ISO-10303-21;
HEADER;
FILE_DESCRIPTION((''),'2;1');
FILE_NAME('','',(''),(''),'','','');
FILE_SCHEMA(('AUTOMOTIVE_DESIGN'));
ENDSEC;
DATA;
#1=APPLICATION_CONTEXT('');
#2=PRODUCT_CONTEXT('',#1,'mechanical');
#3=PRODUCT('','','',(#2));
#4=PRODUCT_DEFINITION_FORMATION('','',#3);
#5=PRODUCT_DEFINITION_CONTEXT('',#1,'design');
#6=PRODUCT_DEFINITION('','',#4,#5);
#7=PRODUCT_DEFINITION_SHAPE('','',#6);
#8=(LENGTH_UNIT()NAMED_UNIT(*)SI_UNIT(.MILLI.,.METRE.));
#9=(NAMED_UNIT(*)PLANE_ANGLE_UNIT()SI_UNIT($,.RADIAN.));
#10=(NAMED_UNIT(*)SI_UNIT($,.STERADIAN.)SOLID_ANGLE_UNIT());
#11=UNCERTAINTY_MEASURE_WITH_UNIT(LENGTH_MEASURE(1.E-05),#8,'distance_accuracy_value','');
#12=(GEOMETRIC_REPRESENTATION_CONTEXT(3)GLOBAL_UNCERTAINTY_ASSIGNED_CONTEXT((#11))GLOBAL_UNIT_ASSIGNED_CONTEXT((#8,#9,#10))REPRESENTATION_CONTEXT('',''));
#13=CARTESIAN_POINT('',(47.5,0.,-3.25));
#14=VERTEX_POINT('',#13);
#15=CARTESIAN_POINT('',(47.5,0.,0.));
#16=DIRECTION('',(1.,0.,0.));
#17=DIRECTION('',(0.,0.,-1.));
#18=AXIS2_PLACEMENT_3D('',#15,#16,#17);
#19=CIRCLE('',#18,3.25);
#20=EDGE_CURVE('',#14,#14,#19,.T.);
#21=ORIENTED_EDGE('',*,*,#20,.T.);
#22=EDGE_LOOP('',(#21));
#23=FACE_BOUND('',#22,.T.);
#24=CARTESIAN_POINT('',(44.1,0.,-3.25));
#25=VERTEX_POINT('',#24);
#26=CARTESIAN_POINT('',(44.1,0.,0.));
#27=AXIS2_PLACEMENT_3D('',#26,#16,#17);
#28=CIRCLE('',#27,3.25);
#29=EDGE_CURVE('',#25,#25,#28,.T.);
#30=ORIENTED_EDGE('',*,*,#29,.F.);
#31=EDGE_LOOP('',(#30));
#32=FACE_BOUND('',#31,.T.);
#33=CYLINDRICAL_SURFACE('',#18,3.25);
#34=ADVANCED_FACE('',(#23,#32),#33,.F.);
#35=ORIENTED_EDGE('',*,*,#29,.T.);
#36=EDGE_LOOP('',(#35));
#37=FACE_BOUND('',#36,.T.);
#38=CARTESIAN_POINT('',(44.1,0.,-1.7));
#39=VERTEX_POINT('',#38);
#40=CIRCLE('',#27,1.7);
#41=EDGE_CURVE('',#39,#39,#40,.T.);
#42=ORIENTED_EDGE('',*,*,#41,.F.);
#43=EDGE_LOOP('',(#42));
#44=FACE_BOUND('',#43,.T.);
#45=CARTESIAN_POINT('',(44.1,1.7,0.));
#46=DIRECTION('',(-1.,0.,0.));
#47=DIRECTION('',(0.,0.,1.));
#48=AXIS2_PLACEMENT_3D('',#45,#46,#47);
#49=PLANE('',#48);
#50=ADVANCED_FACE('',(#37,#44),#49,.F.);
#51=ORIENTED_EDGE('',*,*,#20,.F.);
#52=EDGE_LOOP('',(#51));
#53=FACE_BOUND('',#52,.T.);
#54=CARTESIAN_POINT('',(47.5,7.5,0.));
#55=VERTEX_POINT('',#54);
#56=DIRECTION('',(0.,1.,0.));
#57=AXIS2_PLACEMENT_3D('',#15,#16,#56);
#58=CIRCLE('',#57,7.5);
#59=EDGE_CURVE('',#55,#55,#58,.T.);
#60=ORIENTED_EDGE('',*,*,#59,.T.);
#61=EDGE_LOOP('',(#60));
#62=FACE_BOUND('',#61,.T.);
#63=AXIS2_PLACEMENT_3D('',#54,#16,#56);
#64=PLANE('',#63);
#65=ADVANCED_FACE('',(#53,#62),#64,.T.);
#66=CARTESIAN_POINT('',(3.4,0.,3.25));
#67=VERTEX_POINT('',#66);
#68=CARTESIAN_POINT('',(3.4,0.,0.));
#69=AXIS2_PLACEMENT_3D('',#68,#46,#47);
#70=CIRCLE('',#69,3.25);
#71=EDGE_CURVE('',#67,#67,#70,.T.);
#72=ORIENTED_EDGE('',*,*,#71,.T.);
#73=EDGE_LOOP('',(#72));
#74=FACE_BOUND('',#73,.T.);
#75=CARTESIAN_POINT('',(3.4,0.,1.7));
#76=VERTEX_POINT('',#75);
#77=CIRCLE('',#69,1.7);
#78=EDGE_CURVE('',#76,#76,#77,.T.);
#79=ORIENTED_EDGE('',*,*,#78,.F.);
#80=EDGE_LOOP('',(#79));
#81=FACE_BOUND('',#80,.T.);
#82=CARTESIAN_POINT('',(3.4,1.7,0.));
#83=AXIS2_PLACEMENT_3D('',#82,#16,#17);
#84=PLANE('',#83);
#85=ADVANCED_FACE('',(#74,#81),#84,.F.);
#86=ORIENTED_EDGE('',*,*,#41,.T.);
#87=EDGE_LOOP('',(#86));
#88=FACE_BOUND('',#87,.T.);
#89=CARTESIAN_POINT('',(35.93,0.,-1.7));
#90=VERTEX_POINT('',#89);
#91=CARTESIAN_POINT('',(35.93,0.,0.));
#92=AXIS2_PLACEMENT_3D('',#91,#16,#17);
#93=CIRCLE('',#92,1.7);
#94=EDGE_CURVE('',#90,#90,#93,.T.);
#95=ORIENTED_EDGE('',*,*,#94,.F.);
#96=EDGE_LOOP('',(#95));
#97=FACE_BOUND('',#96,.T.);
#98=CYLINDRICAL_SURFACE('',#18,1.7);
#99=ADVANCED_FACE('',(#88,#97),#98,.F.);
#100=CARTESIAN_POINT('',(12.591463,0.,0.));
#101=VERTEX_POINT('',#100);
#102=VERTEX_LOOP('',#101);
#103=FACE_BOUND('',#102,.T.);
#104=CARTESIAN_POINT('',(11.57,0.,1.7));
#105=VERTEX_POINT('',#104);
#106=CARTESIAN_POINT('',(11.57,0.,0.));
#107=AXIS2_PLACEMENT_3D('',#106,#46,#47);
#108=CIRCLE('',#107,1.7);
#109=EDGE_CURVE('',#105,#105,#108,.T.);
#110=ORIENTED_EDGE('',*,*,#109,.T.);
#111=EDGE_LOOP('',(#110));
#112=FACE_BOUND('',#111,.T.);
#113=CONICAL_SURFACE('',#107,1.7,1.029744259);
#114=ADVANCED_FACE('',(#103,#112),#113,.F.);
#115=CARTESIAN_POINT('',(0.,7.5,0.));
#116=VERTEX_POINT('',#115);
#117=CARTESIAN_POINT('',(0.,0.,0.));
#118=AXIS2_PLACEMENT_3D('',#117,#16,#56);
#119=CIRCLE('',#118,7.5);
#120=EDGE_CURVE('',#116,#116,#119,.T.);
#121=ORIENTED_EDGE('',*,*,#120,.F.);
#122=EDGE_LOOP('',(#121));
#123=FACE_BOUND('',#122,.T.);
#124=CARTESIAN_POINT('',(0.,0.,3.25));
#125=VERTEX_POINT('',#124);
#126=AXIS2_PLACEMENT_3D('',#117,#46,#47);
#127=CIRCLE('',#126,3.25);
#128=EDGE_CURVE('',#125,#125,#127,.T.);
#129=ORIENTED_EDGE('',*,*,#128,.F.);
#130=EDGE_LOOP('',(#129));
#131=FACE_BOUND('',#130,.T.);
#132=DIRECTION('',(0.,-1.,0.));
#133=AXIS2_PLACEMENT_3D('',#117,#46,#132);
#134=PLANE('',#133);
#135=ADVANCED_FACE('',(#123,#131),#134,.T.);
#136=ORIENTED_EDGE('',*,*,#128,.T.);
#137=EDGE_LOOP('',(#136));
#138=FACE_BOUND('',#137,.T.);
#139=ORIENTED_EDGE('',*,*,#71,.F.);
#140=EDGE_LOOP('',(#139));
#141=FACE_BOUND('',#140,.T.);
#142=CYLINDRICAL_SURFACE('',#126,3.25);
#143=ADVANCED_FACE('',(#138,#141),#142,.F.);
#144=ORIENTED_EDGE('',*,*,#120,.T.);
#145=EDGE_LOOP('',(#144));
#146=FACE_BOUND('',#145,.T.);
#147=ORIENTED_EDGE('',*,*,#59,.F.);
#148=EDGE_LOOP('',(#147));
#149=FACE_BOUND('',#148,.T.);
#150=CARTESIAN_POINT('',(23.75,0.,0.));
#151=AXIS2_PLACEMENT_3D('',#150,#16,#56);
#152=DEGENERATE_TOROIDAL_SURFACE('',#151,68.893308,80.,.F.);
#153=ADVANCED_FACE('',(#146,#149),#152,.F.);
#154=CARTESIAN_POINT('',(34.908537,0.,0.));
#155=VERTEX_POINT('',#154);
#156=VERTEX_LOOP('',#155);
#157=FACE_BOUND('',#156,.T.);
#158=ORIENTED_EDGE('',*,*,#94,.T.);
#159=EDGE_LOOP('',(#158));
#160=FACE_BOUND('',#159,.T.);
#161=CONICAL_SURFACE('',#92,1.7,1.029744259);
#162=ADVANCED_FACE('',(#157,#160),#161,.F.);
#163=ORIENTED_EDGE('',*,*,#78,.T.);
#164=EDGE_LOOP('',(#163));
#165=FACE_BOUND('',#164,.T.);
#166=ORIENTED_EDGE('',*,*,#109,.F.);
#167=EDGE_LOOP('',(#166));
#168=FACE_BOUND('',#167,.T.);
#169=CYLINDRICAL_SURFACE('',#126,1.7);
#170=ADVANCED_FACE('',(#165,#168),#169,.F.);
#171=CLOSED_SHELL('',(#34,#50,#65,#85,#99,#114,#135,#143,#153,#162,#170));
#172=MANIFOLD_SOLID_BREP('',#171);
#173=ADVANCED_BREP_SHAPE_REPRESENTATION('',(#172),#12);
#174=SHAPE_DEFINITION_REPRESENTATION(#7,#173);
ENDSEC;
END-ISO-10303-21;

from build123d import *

# Parameters (mm, degrees)
CBORE_FOR_M3_HEX_SOCKET_HEAD_CAP_SCREW1_D           = 3.4
CBORE_FOR_M3_HEX_SOCKET_HEAD_CAP_SCREW1_DEPTH       = 11.57
CBORE_FOR_M3_HEX_SOCKET_HEAD_CAP_SCREW1_CBORE_D     = 6.5
CBORE_FOR_M3_HEX_SOCKET_HEAD_CAP_SCREW1_CBORE_DEPTH = 3.4
CBORE_FOR_M3_HEX_SOCKET_HEAD_CAP_SCREW1_TIP         = 1.021463052
CBORE_FOR_M3_HEX_SOCKET_HEAD_CAP_SCREW2_D           = 3.4
CBORE_FOR_M3_HEX_SOCKET_HEAD_CAP_SCREW2_DEPTH       = 11.57
CBORE_FOR_M3_HEX_SOCKET_HEAD_CAP_SCREW2_CBORE_D     = 6.5
CBORE_FOR_M3_HEX_SOCKET_HEAD_CAP_SCREW2_CBORE_DEPTH = 3.4
CBORE_FOR_M3_HEX_SOCKET_HEAD_CAP_SCREW2_TIP         = 1.021463052


with BuildPart() as part:
    # Sketch1 → Revolve1 (revolve)
    with BuildSketch(Plane.XY):
        with BuildLine():
            Line((0, 0), (0, 7.5))
            ThreePointArc((0, 7.5), (23.75, 11.106692047), (47.5, 7.5))
            Line((47.5, 7.5), (47.5, 0))
            Line((47.5, 0), (0, 0))
        make_face()
    revolve(axis=Axis((47.5, 0, 0), (-1, 0, 0)))

    # CBORE for M3 Hex Socket Head Cap Screw1
    with Locations(Plane(origin=(47.5, 0, 0), x_dir=(0, 0, -1), z_dir=(1, 0, 0))):
        with Locations((0, 0)):
            CounterBoreHole(CBORE_FOR_M3_HEX_SOCKET_HEAD_CAP_SCREW1_D / 2, CBORE_FOR_M3_HEX_SOCKET_HEAD_CAP_SCREW1_CBORE_D / 2, CBORE_FOR_M3_HEX_SOCKET_HEAD_CAP_SCREW1_CBORE_DEPTH, depth=CBORE_FOR_M3_HEX_SOCKET_HEAD_CAP_SCREW1_DEPTH)
            with Locations((0, 0, -(CBORE_FOR_M3_HEX_SOCKET_HEAD_CAP_SCREW1_DEPTH + CBORE_FOR_M3_HEX_SOCKET_HEAD_CAP_SCREW1_TIP / 2))):  # 118° drill point
                Cone(0, CBORE_FOR_M3_HEX_SOCKET_HEAD_CAP_SCREW1_D / 2, CBORE_FOR_M3_HEX_SOCKET_HEAD_CAP_SCREW1_TIP, mode=Mode.SUBTRACT)

    # CBORE for M3 Hex Socket Head Cap Screw2
    with Locations(Plane.ZY):
        with Locations((0, 0)):
            CounterBoreHole(CBORE_FOR_M3_HEX_SOCKET_HEAD_CAP_SCREW2_D / 2, CBORE_FOR_M3_HEX_SOCKET_HEAD_CAP_SCREW2_CBORE_D / 2, CBORE_FOR_M3_HEX_SOCKET_HEAD_CAP_SCREW2_CBORE_DEPTH, depth=CBORE_FOR_M3_HEX_SOCKET_HEAD_CAP_SCREW2_DEPTH)
            with Locations((0, 0, -(CBORE_FOR_M3_HEX_SOCKET_HEAD_CAP_SCREW2_DEPTH + CBORE_FOR_M3_HEX_SOCKET_HEAD_CAP_SCREW2_TIP / 2))):  # 118° drill point
                Cone(0, CBORE_FOR_M3_HEX_SOCKET_HEAD_CAP_SCREW2_D / 2, CBORE_FOR_M3_HEX_SOCKET_HEAD_CAP_SCREW2_TIP, mode=Mode.SUBTRACT)


solid = part.part
